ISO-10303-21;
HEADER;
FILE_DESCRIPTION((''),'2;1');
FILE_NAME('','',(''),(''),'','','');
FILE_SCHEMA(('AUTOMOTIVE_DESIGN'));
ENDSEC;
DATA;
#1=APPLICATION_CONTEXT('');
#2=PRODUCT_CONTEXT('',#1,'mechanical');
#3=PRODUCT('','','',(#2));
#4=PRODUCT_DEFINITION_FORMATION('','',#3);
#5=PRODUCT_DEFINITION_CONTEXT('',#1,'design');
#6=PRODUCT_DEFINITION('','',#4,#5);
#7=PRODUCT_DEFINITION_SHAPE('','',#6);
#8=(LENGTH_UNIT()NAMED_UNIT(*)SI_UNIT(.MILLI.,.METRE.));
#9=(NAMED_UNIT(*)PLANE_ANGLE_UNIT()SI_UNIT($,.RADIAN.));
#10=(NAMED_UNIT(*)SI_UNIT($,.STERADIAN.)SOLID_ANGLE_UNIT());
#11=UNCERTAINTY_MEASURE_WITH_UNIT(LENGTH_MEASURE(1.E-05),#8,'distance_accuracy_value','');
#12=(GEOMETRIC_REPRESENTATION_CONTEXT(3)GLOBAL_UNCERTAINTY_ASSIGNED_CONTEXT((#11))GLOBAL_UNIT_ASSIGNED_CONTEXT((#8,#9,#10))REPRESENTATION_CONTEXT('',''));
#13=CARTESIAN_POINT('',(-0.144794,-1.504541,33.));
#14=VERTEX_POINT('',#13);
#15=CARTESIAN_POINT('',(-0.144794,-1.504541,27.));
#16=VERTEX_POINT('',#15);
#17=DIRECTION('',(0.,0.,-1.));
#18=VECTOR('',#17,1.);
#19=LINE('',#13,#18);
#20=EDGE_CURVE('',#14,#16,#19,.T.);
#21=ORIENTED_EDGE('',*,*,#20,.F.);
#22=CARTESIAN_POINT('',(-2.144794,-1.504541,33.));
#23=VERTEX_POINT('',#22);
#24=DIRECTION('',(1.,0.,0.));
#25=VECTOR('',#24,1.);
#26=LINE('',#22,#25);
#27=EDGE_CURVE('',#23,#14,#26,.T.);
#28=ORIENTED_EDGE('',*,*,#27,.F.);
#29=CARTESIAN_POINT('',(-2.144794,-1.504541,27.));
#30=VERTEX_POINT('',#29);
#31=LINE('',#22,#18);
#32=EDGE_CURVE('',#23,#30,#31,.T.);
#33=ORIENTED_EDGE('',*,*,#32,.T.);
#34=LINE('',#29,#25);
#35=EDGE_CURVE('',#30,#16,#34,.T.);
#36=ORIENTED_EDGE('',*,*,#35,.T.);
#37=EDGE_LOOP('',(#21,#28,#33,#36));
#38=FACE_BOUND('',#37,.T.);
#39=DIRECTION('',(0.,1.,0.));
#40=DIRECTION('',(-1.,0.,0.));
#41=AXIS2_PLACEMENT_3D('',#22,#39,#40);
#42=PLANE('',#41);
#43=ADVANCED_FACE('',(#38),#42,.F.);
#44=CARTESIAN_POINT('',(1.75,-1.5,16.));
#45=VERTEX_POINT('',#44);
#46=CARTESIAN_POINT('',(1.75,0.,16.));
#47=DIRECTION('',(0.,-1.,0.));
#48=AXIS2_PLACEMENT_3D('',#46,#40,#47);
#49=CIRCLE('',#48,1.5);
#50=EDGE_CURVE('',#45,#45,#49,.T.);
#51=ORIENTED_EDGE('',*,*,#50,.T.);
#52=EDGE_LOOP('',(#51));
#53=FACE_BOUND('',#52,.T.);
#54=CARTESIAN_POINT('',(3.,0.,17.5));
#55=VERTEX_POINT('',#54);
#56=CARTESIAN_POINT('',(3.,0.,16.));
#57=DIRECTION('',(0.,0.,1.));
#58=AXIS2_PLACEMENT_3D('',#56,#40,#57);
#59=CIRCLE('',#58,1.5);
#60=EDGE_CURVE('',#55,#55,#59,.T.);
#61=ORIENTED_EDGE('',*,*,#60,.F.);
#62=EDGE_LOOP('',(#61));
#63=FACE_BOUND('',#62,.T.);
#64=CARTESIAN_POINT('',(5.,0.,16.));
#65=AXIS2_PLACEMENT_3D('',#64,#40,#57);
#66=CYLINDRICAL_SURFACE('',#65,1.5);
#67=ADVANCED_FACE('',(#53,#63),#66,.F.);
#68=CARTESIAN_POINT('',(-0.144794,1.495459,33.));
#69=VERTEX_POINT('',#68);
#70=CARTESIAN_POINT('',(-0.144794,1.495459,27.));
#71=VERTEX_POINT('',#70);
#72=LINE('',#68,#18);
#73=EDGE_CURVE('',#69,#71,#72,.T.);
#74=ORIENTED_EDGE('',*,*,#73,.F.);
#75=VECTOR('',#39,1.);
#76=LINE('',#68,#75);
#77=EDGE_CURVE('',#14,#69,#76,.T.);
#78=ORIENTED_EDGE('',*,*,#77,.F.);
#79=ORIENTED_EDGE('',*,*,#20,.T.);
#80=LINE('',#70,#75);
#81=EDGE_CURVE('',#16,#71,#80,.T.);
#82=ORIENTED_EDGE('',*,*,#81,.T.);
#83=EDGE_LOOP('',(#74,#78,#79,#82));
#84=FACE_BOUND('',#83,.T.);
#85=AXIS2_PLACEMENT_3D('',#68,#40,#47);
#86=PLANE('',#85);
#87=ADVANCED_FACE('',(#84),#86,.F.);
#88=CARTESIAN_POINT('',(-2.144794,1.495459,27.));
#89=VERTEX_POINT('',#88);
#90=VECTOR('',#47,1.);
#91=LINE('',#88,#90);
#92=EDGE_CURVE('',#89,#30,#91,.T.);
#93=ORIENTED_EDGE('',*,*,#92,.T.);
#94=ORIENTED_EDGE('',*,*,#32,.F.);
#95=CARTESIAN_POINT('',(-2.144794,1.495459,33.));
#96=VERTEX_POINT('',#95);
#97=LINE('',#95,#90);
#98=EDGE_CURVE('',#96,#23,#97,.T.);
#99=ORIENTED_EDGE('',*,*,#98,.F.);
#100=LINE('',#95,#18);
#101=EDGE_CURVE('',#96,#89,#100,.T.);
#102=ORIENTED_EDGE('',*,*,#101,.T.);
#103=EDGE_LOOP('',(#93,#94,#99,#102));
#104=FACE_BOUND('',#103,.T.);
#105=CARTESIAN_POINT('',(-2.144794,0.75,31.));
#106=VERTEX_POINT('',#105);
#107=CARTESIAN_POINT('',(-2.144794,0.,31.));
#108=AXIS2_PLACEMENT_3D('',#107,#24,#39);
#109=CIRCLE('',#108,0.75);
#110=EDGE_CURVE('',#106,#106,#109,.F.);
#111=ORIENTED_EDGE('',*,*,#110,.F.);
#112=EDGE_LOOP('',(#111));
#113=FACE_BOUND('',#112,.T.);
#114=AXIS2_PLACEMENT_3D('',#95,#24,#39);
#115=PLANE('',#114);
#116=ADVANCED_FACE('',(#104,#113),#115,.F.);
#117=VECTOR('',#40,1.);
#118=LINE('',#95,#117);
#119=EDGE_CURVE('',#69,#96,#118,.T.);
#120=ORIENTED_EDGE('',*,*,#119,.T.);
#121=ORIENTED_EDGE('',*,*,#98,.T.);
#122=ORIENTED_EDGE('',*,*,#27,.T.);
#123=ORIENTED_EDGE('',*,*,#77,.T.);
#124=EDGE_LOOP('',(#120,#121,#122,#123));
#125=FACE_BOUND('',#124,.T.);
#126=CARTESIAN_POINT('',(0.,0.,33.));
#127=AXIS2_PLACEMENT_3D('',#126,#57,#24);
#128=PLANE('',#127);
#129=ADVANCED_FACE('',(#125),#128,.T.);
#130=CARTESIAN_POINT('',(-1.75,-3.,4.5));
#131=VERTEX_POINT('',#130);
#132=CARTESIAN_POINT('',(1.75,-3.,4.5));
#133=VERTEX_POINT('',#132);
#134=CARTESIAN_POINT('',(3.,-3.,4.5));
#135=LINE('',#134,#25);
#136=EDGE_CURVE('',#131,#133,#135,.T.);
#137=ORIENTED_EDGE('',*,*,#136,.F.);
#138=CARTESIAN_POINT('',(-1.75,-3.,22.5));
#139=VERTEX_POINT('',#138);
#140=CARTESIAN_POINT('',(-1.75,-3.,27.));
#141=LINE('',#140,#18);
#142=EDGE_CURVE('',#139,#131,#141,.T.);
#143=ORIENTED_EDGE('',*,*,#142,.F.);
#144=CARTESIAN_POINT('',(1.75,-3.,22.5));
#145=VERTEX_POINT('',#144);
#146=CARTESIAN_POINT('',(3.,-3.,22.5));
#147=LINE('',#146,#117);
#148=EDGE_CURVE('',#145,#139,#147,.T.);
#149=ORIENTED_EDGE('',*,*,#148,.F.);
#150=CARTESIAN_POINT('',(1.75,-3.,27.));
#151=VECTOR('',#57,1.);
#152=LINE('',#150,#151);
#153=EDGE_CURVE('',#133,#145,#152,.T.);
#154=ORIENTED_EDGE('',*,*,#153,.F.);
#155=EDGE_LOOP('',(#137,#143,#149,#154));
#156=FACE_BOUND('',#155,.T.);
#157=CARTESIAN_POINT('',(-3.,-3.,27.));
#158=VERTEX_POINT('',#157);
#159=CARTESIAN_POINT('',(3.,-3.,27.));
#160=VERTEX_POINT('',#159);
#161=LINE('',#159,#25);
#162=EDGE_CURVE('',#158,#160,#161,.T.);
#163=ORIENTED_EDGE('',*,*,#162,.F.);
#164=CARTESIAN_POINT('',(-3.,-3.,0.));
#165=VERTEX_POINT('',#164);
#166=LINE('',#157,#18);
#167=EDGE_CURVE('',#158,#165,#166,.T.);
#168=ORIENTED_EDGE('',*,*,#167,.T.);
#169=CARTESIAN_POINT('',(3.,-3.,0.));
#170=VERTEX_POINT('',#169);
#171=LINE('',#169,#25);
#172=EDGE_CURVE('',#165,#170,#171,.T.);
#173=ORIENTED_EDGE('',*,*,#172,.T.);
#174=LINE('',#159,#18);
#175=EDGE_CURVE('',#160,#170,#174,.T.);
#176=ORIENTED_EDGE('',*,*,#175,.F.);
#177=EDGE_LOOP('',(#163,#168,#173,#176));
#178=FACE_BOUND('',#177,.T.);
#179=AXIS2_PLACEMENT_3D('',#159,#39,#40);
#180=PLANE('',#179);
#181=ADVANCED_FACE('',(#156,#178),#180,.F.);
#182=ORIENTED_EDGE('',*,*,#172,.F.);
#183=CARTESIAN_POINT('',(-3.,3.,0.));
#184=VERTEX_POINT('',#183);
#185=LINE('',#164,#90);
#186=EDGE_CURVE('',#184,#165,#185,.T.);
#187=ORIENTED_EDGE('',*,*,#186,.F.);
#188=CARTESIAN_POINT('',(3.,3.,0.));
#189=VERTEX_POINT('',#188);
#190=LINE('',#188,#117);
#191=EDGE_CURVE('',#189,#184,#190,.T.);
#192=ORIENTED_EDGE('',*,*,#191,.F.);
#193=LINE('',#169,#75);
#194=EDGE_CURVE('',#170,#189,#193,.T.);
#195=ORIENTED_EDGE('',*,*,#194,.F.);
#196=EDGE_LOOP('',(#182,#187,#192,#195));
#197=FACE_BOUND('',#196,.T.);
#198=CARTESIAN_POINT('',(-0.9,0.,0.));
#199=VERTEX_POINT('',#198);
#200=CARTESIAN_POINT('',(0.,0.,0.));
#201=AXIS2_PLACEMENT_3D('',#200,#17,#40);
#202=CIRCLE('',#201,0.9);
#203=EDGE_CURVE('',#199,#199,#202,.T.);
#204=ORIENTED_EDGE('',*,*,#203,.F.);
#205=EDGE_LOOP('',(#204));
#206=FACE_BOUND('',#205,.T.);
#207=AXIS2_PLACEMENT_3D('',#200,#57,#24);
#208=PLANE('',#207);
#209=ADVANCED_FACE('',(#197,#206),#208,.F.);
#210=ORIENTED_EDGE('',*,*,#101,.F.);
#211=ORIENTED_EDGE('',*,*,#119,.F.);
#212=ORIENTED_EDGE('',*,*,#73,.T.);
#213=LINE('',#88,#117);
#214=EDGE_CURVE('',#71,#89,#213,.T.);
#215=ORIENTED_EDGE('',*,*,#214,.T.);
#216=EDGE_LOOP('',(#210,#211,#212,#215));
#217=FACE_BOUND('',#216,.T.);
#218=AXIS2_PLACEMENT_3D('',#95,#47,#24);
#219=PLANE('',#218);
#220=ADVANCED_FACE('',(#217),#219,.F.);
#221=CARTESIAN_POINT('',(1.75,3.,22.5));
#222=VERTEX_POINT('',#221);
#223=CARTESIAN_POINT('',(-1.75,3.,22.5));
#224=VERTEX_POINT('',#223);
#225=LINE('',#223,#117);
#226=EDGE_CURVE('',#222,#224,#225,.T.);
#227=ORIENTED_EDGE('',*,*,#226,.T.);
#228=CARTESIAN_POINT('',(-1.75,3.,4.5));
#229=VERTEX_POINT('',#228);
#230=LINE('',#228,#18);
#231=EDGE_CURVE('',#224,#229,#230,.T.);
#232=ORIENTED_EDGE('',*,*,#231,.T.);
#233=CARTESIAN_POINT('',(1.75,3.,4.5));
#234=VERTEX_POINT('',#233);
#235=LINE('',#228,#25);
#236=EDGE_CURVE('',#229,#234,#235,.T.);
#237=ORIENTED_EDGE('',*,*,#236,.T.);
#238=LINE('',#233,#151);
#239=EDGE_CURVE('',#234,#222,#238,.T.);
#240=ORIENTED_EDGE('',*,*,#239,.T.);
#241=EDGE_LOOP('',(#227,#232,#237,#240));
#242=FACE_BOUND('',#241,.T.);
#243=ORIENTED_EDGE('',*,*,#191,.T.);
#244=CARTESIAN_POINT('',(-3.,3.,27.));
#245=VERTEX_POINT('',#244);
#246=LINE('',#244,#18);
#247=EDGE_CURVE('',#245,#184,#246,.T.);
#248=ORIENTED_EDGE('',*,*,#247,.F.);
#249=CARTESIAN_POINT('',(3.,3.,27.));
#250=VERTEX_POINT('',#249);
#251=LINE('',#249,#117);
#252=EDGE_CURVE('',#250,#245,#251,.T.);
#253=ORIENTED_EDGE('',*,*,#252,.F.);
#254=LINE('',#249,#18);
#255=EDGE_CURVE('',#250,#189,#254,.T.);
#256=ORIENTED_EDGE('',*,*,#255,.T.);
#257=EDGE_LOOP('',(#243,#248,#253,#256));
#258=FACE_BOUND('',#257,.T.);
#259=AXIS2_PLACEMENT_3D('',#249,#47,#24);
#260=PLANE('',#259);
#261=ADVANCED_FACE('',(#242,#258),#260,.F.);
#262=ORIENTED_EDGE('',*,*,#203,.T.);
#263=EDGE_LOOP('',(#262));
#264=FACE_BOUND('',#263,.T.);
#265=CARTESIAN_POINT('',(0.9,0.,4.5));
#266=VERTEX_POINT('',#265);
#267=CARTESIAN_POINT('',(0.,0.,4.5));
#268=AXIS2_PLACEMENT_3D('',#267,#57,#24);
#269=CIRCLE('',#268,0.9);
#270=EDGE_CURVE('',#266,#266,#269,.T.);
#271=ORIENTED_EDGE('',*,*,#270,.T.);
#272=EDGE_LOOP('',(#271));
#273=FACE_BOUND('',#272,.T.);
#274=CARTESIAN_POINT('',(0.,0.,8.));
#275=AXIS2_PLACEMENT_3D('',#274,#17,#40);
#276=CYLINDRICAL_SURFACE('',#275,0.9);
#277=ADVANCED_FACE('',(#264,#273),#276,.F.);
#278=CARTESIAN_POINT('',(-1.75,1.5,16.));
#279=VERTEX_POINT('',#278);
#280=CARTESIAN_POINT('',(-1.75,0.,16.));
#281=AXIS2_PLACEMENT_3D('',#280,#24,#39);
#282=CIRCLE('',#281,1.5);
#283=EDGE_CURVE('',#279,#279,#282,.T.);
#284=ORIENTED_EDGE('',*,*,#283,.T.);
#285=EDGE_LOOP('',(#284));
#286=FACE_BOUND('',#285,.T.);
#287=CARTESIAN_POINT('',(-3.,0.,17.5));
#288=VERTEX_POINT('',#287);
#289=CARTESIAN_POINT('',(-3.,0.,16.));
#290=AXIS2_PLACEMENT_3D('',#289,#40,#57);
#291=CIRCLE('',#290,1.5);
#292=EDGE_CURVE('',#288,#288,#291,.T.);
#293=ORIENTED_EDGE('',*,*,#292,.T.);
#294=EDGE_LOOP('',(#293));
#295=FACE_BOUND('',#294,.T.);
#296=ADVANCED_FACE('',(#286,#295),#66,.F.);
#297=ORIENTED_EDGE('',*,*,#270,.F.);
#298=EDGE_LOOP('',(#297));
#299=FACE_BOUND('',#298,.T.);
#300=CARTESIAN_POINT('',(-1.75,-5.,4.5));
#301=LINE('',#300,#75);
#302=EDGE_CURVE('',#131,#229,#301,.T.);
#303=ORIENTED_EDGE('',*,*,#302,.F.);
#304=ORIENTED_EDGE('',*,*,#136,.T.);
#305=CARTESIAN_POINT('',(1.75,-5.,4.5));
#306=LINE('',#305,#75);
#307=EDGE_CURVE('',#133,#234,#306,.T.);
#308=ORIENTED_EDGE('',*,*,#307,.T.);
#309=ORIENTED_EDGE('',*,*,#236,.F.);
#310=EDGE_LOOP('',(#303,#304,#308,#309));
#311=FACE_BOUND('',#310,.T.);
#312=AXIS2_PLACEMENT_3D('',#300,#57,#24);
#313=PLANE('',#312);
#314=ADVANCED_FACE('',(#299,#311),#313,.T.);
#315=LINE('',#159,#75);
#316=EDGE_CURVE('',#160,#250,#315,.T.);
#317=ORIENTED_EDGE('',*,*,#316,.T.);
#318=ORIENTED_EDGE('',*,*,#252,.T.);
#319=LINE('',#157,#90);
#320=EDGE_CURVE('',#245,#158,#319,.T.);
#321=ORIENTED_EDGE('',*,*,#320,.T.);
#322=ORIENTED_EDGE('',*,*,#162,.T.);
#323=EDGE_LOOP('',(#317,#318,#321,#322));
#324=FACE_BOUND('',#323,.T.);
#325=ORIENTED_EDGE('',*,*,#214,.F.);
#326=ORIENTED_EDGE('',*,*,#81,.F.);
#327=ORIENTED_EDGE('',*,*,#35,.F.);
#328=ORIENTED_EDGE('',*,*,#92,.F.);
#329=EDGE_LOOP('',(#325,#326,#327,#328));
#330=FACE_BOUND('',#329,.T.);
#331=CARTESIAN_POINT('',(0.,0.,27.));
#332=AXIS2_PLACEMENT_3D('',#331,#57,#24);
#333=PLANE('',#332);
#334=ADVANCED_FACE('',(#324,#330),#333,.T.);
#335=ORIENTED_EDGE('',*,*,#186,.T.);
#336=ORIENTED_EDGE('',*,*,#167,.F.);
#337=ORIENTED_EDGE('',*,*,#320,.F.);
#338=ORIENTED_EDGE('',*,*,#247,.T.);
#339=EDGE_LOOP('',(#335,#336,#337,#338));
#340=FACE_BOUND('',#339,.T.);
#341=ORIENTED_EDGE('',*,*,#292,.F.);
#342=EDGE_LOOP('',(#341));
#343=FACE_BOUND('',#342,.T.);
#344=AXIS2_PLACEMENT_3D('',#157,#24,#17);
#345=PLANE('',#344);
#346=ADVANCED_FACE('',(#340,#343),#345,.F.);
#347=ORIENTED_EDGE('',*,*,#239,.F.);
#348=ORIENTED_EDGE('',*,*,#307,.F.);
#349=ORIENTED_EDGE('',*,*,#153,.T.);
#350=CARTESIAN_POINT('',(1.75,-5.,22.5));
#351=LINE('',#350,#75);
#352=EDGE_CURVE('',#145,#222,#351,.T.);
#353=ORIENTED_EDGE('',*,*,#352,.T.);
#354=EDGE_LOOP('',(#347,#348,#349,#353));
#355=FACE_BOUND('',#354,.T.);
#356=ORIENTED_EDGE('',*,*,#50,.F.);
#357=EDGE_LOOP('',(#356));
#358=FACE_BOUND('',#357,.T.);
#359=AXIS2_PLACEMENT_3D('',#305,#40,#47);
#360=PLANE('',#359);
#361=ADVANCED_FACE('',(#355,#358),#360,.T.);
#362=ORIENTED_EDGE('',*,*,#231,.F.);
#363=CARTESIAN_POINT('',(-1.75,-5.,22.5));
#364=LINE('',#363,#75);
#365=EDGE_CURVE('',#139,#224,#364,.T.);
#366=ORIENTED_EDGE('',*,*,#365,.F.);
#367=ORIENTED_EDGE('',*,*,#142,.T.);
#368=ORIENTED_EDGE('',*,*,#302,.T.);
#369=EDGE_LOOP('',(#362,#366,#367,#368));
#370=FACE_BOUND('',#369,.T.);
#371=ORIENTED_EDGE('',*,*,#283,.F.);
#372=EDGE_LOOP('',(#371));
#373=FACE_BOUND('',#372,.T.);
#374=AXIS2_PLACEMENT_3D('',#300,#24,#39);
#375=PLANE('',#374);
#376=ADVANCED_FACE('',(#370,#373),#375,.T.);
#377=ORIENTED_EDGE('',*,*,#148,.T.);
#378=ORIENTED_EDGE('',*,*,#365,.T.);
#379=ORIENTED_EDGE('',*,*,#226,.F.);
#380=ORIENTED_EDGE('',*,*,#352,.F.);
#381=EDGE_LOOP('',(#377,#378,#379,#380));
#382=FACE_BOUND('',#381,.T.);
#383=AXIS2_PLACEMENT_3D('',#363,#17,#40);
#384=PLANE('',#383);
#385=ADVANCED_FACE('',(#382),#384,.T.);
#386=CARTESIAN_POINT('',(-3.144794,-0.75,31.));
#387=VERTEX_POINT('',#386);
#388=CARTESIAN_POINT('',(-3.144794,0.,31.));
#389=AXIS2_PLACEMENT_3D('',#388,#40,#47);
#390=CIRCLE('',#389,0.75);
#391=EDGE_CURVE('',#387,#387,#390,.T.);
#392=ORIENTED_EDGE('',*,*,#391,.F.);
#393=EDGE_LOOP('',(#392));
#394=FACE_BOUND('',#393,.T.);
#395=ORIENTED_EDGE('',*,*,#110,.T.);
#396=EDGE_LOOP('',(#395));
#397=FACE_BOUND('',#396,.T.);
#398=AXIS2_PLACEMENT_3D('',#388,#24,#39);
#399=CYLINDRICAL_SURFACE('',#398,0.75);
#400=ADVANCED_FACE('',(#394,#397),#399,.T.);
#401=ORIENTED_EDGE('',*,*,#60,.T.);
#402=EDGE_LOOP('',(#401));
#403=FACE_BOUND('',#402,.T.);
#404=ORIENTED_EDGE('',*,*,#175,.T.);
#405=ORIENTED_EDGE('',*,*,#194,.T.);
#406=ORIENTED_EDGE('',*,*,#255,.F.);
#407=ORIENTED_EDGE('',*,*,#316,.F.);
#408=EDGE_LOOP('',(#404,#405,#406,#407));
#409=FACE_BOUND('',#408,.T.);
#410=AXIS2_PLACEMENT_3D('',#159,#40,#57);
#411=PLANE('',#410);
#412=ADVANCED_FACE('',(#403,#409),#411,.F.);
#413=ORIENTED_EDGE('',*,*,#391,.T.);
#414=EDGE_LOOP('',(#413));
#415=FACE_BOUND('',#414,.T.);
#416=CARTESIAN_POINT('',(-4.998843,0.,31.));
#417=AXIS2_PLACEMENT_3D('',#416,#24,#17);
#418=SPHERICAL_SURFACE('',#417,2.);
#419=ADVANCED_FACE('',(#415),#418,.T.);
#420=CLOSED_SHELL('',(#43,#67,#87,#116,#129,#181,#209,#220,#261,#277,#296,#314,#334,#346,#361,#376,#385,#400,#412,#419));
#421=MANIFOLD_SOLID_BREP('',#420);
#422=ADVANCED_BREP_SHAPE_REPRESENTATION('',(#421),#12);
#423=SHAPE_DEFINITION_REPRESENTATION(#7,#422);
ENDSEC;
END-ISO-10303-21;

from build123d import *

# Parameters (mm, degrees)
SKETCH_1_W          = 6
SKETCH_1_H          = 6
EXTRUDE_1_DEPTH     = 27
SKETCH_2_W          = 2
SKETCH_2_H          = 3
EXTRUDE_2_DEPTH     = 6
SKETCH_3_R          = 0.75
EXTRUDE_3_DEPTH     = 1
SKETCH_5_W          = 18
SKETCH_5_H          = 3.5
CUT_EXTRUDE_1_DEPTH = 8
SKETCH_6_R          = 1.5
CUT_EXTRUDE_2_DEPTH = 8
SKETCH_7_R          = 0.9
CUT_EXTRUDE_3_DEPTH = 8


with BuildPart() as part:
    # 草图1 → 凸台-拉伸1 (new body)
    with BuildSketch(Plane.XY):
        Rectangle(SKETCH_1_W, SKETCH_1_H)
    extrude(amount=EXTRUDE_1_DEPTH)

    # 草图2 → 凸台-拉伸2 (add)
    with BuildSketch(Plane.XY.offset(27)):
        with Locations((-1.14479355, -0.004540815)):
            Rectangle(SKETCH_2_W, SKETCH_2_H)
    extrude(amount=EXTRUDE_2_DEPTH)

    # 草图3 → 凸台-拉伸3 (add)
    with BuildSketch(Plane.ZY.offset(2.14479355)):
        with Locations(Location((31, 0, 0), (0, 0, 90))):
            Circle(SKETCH_3_R)
    extrude(amount=EXTRUDE_3_DEPTH)

    # 草图4 → 旋转1 (revolve)
    with BuildSketch(Plane(origin=(0, 0, 0), x_dir=(1, 0, 0), z_dir=(0, 1, 0))):
        with BuildLine():
            Line((-3.14479355, -31), (-6.998843172, -31))
            ThreePointArc((-6.998843172, -31), (-5.380877697, -29.036826645), (-3.14479355, -30.25))
            Line((-3.14479355, -30.25), (-3.14479355, -31))
        make_face()
    revolve(axis=Axis((-3.14479355, 0, 31), (-1, 0, 0)))

    # 草图5 → 切除-拉伸1 (cut)
    with BuildSketch(Plane(origin=(0.5, 3, 0), x_dir=(0, 0, 1), z_dir=(0, -1, 0))):
        with Locations((13.5, 0.5)):
            Rectangle(SKETCH_5_W, SKETCH_5_H)
    extrude(amount=CUT_EXTRUDE_1_DEPTH, mode=Mode.SUBTRACT)

    # 草图6 → 切除-拉伸2 (cut)
    with BuildSketch(Plane.ZY.offset(3)):
        with Locations((16, 0)):
            Circle(SKETCH_6_R)
    extrude(amount=-CUT_EXTRUDE_2_DEPTH, mode=Mode.SUBTRACT)

    # 草图7 → 切除-拉伸3 (cut)
    with BuildSketch(Plane(origin=(0, 0, 0), x_dir=(-1, 0, 0), z_dir=(0, 0, -1))):
        Circle(SKETCH_7_R)
    extrude(amount=-CUT_EXTRUDE_3_DEPTH, mode=Mode.SUBTRACT)


solid = part.part
